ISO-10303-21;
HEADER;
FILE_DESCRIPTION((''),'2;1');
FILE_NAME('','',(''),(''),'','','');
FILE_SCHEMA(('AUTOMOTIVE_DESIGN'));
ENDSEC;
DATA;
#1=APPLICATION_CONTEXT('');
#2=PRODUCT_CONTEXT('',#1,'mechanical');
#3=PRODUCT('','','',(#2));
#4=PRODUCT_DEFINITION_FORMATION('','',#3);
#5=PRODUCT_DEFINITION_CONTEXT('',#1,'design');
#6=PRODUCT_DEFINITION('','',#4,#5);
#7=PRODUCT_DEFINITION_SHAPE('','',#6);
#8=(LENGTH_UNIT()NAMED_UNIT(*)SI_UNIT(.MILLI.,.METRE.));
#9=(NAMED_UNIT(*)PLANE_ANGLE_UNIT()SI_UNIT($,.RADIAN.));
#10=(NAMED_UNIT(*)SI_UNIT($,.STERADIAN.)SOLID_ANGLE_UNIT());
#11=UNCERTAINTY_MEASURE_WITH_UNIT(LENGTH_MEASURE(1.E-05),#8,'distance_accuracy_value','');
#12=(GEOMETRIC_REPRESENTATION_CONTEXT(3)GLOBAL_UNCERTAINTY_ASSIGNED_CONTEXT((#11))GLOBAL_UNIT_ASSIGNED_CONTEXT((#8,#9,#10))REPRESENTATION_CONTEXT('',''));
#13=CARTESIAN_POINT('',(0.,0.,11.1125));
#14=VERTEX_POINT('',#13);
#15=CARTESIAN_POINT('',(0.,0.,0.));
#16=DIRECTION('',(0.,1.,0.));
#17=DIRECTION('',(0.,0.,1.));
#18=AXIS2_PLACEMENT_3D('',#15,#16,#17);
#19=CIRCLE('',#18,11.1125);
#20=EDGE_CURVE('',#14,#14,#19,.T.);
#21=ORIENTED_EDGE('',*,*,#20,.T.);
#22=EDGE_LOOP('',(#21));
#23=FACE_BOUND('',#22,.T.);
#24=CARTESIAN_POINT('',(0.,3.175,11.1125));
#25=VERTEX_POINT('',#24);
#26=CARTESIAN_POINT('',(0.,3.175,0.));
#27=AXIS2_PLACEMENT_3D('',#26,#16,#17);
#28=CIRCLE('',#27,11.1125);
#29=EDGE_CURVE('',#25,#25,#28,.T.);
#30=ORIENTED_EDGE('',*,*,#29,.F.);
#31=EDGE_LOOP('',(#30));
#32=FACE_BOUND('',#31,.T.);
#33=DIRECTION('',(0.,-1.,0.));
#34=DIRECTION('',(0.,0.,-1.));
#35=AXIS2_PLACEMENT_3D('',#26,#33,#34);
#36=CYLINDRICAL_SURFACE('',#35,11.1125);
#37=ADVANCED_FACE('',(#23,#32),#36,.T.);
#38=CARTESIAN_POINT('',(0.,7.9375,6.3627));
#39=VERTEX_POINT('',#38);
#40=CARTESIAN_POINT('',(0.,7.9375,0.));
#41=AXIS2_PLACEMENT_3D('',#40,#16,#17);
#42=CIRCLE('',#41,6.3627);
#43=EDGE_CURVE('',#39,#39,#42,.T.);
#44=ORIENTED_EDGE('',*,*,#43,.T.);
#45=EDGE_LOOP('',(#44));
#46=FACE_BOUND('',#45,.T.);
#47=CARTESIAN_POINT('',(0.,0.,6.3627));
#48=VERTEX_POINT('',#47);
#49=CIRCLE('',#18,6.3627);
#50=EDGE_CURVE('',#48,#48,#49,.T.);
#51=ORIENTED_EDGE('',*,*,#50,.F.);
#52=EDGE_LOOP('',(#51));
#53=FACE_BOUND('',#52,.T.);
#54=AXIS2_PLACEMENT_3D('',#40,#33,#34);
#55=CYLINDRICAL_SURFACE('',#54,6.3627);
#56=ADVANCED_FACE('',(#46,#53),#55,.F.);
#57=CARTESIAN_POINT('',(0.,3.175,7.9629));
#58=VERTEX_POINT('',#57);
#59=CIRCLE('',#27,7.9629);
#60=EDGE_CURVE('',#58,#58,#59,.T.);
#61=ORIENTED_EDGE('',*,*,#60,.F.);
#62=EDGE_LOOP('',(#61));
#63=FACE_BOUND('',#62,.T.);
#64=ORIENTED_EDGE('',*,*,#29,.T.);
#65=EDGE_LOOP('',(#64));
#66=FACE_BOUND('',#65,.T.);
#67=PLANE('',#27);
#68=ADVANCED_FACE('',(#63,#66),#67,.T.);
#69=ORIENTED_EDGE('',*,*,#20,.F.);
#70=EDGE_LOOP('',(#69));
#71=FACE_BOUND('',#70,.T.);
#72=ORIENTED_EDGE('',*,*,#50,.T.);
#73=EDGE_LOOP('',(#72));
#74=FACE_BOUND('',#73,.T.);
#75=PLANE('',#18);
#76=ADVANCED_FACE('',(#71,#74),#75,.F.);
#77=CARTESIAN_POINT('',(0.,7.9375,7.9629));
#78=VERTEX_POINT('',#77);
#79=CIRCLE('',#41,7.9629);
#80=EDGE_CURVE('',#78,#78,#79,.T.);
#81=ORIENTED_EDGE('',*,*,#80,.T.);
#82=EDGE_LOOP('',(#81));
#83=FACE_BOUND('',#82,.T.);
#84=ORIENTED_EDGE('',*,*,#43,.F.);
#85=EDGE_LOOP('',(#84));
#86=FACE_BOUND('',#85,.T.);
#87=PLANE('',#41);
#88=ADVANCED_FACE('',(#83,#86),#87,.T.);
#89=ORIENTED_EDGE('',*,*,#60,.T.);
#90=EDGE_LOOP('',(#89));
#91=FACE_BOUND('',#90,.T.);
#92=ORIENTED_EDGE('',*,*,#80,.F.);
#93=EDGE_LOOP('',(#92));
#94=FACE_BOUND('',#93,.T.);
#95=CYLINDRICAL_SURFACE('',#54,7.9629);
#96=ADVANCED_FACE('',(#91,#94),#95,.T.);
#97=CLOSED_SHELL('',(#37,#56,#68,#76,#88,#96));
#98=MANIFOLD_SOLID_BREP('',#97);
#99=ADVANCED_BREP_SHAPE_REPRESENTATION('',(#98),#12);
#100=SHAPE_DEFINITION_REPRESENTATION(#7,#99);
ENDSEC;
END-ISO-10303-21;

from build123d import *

# Parameters (mm, degrees)
SKETCH2_R           = 7.9629
SKETCH2_R_2         = 6.3627
BOSS_EXTRUDE1_DEPTH = 7.9375
SKETCH3_R           = 11.1125
SKETCH3_R_2         = 7.9629
BOSS_EXTRUDE2_DEPTH = 3.175


with BuildPart() as part:
    # Sketch2 → Boss-Extrude1 (new body)
    with BuildSketch(Plane(origin=(0, 0, 0), x_dir=(1, 0, 0), z_dir=(0, 1, 0))):
        Circle(SKETCH2_R)
        Circle(SKETCH2_R_2, mode=Mode.SUBTRACT)
    extrude(amount=BOSS_EXTRUDE1_DEPTH)

    # Sketch3 → Boss-Extrude2 (add)
    with BuildSketch(Plane(origin=(0, 0, 0), x_dir=(1, 0, 0), z_dir=(0, 1, 0))):
        Circle(SKETCH3_R)
        Circle(SKETCH3_R_2, mode=Mode.SUBTRACT)
    extrude(amount=BOSS_EXTRUDE2_DEPTH)


solid = part.part
